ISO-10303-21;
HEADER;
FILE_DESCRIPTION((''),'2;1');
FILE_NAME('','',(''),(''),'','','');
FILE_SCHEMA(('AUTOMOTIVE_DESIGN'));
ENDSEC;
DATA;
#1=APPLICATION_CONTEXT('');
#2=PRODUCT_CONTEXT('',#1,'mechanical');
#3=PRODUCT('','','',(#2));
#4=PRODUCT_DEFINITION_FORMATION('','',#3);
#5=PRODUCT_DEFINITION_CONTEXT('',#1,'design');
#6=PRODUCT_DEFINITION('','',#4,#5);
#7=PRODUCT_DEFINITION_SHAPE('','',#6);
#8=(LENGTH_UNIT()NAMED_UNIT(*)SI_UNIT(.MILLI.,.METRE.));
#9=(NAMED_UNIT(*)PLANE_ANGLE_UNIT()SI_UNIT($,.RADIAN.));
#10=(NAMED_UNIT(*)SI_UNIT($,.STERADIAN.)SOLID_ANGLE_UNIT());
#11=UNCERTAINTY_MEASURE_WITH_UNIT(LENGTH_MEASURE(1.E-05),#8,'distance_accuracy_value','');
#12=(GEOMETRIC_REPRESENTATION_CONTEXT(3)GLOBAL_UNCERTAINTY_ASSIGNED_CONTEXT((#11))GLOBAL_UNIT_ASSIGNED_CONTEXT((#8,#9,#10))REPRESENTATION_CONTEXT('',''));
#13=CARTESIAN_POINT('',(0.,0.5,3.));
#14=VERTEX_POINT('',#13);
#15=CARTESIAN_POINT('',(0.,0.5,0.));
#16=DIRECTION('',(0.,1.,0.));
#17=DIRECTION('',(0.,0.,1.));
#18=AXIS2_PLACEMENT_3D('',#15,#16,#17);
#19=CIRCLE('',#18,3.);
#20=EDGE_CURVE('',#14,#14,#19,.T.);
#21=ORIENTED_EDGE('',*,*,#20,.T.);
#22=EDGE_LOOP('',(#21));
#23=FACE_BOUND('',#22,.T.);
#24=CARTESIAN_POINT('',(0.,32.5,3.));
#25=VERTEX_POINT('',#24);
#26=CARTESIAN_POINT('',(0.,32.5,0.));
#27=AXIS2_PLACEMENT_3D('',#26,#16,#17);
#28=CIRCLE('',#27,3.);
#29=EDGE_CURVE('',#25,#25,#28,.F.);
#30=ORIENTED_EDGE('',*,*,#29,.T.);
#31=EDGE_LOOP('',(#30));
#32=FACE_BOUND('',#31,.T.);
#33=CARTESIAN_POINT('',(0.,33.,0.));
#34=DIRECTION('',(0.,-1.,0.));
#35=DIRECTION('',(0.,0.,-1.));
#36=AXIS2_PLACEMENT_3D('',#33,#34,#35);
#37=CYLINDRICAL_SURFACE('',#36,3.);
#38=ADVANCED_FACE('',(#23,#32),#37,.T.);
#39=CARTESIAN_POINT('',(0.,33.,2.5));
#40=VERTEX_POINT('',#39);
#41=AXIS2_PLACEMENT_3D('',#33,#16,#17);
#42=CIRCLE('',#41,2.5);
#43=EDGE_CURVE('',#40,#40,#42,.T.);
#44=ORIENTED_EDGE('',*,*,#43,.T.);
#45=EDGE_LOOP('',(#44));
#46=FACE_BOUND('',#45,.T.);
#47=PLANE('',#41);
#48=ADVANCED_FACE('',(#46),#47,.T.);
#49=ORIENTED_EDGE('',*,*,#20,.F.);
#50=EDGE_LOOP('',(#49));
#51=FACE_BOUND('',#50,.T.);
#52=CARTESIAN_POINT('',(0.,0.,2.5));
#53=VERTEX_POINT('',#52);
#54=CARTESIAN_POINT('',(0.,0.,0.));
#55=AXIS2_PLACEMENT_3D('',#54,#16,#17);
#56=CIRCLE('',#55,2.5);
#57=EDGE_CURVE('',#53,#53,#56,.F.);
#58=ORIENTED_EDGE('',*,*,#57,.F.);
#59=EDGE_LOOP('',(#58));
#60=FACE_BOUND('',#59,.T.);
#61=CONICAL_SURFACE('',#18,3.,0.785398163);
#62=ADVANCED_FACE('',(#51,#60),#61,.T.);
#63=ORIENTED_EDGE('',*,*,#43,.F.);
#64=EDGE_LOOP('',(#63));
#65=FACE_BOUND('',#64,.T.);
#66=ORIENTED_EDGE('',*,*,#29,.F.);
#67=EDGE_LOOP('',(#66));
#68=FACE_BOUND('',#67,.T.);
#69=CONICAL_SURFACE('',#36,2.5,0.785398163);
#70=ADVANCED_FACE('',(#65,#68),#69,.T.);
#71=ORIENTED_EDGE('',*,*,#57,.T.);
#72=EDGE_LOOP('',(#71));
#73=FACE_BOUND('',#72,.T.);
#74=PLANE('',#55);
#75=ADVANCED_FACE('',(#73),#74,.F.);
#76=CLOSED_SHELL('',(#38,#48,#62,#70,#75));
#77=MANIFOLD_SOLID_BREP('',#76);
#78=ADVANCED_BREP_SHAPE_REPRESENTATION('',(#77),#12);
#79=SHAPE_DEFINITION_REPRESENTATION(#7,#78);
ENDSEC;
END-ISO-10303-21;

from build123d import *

# Parameters (mm, degrees)
SZKIC1_R                    = 3
DODANIE_WYCI_GNI_CIE1_DEPTH = 33
SFAZOWANIE1_SIZE            = 0.5


with BuildPart() as part:
    # Szkic1 → Dodanie-wyciągnięcie1 (new body)
    with BuildSketch(Plane(origin=(0, 0, 0), x_dir=(1, 0, 0), z_dir=(0, 1, 0))):
        with Locations(Location((0, 0, 0), (0, 0, 270))):
            Circle(SZKIC1_R)
    extrude(amount=DODANIE_WYCI_GNI_CIE1_DEPTH)

    # Sfazowanie1
    sfazowanie1_edges = [part.edges().sort_by_distance(p)[0] for p in [
        (0, 0, -3),
        (0, 33, -3),
    ]]
    chamfer(sfazowanie1_edges, length=SFAZOWANIE1_SIZE)


solid = part.part
